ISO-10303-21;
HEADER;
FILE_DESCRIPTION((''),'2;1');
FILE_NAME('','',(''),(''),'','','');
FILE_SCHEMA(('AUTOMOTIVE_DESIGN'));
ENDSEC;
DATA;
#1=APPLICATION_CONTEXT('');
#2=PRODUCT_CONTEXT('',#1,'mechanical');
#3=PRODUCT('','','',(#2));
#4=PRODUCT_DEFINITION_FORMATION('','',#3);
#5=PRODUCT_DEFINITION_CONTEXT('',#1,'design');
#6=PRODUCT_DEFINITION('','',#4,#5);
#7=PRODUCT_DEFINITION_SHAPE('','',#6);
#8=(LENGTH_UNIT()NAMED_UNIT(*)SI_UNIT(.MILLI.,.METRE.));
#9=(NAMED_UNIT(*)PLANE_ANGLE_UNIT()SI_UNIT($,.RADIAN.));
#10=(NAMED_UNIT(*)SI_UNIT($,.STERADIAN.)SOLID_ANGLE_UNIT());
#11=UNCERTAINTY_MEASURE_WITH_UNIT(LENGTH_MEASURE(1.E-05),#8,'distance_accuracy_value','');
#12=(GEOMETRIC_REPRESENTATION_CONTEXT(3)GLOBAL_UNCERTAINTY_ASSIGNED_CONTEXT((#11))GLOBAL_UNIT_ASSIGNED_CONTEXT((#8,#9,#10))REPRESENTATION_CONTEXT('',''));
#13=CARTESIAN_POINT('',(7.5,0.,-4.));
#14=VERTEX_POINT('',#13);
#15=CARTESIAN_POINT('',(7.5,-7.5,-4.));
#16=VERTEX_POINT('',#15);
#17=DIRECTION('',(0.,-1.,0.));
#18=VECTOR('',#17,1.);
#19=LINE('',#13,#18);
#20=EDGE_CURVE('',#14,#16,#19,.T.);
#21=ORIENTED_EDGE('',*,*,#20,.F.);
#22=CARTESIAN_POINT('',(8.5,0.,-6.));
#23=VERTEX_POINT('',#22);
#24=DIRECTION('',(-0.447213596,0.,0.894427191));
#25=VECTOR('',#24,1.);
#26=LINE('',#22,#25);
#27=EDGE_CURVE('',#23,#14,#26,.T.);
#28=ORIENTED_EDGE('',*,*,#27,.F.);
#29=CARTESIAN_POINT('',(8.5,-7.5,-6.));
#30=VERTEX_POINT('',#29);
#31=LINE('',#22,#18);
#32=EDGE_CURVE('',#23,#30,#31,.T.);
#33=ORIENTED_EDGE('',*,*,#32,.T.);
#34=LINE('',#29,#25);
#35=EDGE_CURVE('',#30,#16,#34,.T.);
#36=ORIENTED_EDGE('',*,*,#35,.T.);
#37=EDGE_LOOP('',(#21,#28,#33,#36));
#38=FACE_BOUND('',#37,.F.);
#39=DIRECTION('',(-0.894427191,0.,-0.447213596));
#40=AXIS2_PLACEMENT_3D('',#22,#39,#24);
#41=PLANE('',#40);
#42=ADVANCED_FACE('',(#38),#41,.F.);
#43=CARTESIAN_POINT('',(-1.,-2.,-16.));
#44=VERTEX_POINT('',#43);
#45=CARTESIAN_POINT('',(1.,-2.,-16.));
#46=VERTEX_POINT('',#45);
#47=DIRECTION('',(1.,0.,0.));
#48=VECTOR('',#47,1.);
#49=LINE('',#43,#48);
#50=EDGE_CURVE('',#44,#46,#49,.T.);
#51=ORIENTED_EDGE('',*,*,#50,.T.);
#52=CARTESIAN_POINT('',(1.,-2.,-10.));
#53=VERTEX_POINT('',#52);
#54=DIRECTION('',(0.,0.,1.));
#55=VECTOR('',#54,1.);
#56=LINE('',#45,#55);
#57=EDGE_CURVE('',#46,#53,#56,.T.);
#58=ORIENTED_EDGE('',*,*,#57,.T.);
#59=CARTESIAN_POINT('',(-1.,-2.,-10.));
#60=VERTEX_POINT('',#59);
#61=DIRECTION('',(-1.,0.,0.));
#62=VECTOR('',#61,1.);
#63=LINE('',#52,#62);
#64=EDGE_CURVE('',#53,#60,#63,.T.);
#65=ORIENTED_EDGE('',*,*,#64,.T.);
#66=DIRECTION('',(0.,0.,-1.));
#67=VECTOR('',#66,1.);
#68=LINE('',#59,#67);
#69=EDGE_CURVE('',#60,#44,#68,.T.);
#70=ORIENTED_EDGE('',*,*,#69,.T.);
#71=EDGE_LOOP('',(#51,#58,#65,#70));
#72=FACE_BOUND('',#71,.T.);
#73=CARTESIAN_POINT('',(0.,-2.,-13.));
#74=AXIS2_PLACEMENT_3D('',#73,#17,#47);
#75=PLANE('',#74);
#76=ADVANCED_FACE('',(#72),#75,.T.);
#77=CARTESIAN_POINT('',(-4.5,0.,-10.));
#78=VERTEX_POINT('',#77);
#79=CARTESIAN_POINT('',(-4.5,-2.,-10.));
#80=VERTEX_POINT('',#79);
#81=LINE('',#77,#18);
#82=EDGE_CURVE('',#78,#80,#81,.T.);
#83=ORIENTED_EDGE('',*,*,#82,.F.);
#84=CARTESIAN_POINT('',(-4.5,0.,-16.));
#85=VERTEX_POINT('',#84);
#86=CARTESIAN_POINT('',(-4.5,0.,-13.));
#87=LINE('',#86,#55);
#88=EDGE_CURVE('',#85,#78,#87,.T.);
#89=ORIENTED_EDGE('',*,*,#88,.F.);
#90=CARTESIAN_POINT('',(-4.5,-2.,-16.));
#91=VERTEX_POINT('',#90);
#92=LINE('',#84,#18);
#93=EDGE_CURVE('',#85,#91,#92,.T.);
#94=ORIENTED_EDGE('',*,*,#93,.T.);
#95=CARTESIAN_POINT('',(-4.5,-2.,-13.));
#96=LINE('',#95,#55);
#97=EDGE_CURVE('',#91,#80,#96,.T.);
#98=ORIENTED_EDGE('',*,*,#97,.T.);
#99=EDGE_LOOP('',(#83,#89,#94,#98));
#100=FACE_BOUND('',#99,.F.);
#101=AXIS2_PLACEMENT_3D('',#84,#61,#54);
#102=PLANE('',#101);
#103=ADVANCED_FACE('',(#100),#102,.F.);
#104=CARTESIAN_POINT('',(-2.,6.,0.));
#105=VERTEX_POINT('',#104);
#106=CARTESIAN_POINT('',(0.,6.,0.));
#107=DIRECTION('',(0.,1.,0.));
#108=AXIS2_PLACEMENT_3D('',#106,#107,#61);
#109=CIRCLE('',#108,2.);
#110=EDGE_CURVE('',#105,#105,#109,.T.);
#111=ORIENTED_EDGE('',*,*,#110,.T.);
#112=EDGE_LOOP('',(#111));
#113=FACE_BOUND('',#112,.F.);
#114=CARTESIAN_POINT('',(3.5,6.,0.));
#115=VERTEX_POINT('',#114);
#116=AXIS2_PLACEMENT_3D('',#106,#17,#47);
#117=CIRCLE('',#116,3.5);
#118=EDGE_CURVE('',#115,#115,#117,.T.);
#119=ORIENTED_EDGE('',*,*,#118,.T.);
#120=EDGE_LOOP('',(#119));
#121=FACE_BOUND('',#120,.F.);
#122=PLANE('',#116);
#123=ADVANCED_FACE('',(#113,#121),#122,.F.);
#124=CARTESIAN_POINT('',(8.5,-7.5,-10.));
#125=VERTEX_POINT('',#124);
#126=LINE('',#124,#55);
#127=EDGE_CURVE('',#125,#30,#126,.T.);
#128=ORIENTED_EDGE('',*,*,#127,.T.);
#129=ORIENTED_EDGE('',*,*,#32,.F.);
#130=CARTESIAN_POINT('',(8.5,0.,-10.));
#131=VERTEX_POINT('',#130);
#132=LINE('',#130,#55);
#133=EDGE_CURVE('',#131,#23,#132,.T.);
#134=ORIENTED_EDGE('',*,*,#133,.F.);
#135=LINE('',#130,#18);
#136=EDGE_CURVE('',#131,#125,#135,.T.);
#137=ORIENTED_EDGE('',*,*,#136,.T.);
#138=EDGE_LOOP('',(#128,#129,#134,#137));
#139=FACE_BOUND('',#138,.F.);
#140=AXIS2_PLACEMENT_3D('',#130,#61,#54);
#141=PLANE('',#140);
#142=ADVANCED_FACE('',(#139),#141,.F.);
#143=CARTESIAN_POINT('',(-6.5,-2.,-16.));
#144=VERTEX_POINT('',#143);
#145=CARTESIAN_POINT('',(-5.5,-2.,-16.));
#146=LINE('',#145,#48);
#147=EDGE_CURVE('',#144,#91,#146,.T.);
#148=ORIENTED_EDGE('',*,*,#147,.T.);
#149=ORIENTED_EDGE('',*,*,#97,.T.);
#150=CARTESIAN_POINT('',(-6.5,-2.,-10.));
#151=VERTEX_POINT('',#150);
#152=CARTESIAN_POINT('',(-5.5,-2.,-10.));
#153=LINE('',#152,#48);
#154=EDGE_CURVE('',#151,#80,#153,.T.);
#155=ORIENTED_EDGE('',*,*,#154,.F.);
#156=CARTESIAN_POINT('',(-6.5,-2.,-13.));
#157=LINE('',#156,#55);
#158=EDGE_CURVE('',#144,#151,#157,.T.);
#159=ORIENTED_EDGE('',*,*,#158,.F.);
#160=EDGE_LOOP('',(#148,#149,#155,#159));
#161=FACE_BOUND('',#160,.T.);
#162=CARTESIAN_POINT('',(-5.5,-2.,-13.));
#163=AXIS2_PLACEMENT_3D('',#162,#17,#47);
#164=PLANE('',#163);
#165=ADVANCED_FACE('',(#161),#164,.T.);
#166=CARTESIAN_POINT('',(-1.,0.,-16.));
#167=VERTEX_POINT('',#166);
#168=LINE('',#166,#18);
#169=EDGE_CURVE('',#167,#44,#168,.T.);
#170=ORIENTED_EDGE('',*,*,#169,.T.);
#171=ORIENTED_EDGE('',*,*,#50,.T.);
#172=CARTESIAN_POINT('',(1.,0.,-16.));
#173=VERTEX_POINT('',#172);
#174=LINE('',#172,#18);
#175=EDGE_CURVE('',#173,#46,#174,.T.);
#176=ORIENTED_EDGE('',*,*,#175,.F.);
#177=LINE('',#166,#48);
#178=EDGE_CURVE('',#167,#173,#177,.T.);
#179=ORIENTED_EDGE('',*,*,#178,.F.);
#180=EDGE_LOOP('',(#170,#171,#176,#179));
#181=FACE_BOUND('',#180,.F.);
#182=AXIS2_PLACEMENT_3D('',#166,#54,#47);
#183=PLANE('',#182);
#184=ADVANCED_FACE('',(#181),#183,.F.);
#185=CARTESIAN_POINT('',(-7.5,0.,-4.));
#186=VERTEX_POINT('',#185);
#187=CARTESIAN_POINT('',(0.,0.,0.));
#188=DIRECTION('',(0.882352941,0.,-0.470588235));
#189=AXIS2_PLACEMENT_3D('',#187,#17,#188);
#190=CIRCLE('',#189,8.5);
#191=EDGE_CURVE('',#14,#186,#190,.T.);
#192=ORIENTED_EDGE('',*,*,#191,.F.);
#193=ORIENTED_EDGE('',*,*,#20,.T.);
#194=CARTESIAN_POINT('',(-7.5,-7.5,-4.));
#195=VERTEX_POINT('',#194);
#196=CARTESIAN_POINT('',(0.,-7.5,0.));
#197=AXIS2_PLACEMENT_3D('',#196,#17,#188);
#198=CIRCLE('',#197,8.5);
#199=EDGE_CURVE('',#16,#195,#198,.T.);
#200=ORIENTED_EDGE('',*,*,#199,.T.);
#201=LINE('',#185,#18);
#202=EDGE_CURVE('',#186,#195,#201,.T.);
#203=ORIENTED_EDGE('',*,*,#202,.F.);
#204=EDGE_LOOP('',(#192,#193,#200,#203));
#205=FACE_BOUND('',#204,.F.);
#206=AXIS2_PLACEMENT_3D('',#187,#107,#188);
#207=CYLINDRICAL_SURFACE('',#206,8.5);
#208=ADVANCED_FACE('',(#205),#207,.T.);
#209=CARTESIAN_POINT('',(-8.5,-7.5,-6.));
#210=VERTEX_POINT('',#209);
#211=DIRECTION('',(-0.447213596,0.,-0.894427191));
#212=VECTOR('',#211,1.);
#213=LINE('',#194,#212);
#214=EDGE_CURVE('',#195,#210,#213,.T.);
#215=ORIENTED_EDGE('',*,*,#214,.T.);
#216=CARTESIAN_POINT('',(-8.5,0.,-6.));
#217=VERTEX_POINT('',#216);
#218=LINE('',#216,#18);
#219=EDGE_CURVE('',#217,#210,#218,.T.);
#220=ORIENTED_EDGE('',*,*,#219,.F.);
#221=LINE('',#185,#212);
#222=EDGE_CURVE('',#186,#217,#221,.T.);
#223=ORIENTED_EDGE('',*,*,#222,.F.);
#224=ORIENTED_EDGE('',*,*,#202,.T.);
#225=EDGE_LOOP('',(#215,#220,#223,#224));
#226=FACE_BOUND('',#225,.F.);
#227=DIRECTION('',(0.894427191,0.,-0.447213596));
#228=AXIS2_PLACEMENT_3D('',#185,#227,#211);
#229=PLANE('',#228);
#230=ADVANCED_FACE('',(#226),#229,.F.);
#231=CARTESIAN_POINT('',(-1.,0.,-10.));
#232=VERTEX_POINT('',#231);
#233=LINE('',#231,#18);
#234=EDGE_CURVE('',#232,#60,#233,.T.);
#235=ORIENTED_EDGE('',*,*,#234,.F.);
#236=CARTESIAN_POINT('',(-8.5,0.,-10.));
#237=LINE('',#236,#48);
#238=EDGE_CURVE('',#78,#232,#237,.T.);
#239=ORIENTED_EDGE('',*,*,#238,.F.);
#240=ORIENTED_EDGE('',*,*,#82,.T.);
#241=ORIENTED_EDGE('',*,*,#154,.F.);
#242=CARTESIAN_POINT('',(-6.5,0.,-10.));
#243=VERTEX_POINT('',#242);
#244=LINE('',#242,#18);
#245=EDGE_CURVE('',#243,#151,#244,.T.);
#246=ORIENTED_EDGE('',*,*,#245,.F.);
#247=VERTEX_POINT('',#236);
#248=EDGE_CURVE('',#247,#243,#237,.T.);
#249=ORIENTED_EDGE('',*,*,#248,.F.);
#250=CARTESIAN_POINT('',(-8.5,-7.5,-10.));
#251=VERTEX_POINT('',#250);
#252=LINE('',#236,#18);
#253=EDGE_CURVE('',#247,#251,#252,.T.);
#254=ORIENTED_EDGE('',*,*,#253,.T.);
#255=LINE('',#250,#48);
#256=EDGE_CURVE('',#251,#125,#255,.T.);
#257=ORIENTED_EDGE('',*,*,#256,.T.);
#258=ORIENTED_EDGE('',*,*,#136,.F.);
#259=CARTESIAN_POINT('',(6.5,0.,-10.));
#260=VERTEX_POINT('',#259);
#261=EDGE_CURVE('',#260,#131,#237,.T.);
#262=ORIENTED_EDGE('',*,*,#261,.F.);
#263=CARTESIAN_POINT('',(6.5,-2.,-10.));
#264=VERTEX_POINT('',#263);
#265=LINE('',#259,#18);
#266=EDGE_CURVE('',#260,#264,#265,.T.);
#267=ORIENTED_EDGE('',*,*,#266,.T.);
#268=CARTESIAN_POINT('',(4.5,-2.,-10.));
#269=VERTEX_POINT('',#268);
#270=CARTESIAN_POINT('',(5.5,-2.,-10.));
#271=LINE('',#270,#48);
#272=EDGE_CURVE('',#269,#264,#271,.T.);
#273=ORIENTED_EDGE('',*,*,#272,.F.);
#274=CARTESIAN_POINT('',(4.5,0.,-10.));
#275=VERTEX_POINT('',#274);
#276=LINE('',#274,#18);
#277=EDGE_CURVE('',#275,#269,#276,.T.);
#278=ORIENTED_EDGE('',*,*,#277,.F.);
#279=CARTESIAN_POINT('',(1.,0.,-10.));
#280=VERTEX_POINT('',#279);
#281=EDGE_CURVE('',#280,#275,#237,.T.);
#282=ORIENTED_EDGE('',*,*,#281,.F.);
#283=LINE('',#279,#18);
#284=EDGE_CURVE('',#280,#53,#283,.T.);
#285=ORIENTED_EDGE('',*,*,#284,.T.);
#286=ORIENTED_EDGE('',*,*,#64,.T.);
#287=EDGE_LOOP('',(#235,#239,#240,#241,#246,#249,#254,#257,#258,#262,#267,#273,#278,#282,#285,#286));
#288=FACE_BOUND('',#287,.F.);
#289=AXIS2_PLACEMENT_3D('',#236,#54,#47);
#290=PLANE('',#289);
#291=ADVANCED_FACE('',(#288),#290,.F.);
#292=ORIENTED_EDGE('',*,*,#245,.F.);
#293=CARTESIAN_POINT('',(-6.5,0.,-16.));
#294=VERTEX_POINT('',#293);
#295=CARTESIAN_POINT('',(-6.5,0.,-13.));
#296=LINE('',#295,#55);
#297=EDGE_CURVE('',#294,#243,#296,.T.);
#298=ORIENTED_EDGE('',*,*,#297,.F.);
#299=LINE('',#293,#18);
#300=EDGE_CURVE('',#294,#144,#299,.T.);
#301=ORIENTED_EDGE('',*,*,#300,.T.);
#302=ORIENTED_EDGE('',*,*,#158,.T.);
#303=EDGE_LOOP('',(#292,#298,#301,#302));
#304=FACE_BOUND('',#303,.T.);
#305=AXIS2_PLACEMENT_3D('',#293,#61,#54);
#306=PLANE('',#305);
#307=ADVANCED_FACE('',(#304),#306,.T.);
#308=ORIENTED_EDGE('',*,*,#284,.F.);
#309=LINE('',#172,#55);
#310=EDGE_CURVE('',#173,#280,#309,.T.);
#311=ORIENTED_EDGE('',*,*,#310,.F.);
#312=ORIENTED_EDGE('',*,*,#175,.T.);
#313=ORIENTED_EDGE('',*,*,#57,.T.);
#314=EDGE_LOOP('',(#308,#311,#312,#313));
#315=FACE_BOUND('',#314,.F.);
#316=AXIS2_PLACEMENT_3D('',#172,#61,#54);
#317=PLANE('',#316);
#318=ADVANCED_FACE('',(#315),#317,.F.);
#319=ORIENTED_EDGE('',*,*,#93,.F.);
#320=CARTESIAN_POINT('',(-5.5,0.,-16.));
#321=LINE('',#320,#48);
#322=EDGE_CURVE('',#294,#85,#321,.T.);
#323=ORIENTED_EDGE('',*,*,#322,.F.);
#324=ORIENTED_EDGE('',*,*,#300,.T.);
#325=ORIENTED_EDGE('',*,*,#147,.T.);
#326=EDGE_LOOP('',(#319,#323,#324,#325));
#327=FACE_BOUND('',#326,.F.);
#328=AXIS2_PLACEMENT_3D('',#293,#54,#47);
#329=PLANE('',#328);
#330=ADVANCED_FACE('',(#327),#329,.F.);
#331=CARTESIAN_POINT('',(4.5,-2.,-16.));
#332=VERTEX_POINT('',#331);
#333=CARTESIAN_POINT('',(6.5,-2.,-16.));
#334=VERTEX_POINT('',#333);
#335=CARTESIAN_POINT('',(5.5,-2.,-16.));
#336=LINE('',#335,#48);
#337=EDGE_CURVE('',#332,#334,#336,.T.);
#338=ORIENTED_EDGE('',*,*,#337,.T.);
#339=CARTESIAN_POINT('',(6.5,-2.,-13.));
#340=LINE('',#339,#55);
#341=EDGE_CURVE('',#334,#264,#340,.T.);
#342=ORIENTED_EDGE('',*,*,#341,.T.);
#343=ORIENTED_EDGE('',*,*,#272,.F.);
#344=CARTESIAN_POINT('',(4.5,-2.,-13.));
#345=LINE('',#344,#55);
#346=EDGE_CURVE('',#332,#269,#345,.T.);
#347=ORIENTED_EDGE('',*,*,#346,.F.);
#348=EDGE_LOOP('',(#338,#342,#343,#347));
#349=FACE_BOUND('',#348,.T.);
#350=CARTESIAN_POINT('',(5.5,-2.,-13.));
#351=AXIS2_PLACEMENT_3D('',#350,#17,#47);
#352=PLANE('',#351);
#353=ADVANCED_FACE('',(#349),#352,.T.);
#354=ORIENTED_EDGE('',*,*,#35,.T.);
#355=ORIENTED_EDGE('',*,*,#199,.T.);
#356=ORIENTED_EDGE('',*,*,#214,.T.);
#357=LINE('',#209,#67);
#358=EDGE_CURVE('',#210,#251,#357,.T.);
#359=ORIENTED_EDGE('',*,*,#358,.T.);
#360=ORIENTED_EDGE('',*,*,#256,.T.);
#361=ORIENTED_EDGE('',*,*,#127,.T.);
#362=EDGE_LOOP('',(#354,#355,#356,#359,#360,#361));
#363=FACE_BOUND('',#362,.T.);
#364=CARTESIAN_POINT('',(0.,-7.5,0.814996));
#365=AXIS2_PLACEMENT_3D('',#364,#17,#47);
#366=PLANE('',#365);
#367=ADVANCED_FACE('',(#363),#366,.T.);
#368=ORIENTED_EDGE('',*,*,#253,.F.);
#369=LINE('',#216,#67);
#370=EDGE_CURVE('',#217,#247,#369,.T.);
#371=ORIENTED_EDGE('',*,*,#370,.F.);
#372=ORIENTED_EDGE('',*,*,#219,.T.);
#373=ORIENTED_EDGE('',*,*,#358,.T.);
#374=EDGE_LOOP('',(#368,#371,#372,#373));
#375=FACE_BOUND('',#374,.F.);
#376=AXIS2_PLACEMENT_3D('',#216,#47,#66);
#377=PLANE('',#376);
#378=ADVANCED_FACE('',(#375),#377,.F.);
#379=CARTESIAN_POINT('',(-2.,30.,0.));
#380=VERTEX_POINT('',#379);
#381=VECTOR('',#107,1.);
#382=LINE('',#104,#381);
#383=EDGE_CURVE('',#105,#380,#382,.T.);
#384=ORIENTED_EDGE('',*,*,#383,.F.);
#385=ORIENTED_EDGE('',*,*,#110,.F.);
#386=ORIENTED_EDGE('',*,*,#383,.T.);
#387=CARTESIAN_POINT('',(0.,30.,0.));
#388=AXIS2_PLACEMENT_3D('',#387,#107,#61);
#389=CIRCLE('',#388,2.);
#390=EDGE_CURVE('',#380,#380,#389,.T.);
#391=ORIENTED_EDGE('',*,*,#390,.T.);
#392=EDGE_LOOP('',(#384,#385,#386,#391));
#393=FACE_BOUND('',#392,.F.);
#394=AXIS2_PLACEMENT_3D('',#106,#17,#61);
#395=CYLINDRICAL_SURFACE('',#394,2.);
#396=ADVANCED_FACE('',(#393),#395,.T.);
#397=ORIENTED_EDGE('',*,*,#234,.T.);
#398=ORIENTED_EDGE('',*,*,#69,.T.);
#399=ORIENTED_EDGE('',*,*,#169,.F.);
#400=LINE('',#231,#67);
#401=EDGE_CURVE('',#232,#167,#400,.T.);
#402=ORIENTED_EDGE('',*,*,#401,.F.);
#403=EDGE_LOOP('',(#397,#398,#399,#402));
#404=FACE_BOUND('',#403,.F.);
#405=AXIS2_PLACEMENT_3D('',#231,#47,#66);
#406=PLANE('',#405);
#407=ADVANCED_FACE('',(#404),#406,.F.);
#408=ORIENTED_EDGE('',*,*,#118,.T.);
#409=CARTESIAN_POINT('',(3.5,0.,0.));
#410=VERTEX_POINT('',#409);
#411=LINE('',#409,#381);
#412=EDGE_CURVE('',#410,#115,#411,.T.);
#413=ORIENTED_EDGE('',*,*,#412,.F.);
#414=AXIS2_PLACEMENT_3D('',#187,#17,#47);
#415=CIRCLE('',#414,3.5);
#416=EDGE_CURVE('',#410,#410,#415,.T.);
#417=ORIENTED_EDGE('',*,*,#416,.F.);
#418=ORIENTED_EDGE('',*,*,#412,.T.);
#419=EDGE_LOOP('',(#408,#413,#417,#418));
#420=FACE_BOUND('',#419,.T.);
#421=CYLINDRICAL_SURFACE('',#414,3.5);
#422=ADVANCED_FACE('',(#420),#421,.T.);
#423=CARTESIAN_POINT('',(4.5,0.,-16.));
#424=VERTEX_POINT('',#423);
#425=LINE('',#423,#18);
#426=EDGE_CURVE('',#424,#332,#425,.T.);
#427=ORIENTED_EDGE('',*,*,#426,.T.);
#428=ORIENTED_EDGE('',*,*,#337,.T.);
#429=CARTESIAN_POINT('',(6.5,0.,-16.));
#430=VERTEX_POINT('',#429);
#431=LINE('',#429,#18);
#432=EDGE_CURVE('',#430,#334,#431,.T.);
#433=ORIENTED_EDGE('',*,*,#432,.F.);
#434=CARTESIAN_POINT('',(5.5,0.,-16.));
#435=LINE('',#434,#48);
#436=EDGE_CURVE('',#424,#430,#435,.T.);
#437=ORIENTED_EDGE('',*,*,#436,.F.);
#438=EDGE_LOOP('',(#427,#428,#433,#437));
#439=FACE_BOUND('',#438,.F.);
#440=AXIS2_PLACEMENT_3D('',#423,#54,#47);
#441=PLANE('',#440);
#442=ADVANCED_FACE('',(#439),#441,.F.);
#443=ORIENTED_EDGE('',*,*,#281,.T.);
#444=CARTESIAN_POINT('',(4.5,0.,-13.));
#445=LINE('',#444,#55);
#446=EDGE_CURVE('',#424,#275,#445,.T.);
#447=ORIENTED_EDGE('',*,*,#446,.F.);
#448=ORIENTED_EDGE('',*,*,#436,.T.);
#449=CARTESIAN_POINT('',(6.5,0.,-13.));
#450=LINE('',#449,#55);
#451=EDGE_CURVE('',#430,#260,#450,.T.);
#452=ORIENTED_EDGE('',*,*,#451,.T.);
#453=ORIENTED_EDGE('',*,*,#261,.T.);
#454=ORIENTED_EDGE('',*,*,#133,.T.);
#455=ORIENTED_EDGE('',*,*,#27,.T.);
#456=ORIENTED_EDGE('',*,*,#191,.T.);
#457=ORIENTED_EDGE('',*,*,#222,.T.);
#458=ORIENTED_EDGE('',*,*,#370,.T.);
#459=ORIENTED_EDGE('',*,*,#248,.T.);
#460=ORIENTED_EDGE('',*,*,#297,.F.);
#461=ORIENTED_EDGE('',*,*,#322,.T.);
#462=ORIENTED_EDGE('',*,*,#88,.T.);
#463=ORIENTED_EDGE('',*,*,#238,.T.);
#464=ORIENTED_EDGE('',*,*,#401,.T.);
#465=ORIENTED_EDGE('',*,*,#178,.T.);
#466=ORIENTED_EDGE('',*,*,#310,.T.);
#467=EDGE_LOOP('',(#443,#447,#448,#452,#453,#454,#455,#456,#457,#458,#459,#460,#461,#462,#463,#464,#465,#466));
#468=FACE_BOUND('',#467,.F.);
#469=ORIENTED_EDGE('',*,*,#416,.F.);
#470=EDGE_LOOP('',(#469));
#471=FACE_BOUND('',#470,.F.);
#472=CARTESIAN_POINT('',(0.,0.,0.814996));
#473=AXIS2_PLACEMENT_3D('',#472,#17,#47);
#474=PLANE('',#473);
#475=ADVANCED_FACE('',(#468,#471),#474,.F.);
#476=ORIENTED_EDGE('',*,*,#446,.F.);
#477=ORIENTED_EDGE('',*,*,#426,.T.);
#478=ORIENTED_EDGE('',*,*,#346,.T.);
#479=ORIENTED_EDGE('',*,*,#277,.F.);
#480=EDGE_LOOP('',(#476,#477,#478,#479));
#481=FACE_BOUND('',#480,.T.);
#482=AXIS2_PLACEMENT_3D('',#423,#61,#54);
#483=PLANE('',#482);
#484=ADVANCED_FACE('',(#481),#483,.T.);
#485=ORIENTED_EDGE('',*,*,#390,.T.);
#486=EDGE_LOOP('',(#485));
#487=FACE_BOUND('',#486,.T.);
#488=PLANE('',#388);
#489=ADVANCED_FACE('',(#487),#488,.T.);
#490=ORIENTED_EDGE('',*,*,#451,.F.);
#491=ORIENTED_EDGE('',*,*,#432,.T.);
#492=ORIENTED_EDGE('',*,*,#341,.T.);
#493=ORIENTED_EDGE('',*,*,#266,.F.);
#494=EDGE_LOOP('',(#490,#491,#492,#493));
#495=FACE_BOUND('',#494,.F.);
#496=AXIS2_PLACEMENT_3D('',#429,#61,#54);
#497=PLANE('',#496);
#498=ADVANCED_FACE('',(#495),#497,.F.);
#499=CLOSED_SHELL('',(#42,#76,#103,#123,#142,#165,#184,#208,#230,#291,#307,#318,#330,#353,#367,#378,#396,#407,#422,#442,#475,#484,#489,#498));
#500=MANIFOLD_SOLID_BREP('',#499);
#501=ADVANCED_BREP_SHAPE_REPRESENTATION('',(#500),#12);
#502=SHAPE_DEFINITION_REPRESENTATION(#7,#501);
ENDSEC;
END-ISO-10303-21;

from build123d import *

# Parameters (mm, degrees)
F1_DEPTH = 7.5
F0_W     = 2
F0_H     = 6
F2_DEPTH = 2
F3_R     = 3.5
F4_DEPTH = 6
F5_R     = 2
F6_DEPTH = 24


with BuildPart() as f1:
    # F0 (on Front) → F1 (new body)
    with BuildSketch(Plane.XZ):
        with BuildLine():
            Line((-7.5, -4), (7.5, -4))
            ThreePointArc((7.5, -4), (0, 8.5), (-7.5, -4))
        make_face()
        Polygon((8.5, -6), (7.5, -4), (-7.5, -4), (-8.5, -6), (-8.5, -10), (-6.5, -10), (-4.5, -10), (-1, -10), (0, -10), (1, -10), (4.5, -10), (6.5, -10), (8.5, -10), align=None)
    extrude(amount=F1_DEPTH)

    # F0 (on Front) → F2 (join)
    with BuildSketch(Plane.XZ):
        with Locations((-5.5, -13)):
            Rectangle(F0_W, F0_H)
        Polygon((1, -16), (1, -10), (0, -10), (-1, -10), (-1, -16), align=None)
        with Locations((5.5, -13)):
            Rectangle(F0_W, F0_H)
    extrude(amount=F2_DEPTH)

    # F3 (on face) → F4 (join)
    with BuildSketch(Plane.XZ):
        Circle(F3_R)
    extrude(amount=-F4_DEPTH)

    # F5 (on face) → F6 (join)
    with BuildSketch(Plane(origin=(0, 6, 0), x_dir=(-1, 0, 0), z_dir=(0, 1, 0))):
        Circle(F5_R)
    extrude(amount=F6_DEPTH)


solid = f1.part
